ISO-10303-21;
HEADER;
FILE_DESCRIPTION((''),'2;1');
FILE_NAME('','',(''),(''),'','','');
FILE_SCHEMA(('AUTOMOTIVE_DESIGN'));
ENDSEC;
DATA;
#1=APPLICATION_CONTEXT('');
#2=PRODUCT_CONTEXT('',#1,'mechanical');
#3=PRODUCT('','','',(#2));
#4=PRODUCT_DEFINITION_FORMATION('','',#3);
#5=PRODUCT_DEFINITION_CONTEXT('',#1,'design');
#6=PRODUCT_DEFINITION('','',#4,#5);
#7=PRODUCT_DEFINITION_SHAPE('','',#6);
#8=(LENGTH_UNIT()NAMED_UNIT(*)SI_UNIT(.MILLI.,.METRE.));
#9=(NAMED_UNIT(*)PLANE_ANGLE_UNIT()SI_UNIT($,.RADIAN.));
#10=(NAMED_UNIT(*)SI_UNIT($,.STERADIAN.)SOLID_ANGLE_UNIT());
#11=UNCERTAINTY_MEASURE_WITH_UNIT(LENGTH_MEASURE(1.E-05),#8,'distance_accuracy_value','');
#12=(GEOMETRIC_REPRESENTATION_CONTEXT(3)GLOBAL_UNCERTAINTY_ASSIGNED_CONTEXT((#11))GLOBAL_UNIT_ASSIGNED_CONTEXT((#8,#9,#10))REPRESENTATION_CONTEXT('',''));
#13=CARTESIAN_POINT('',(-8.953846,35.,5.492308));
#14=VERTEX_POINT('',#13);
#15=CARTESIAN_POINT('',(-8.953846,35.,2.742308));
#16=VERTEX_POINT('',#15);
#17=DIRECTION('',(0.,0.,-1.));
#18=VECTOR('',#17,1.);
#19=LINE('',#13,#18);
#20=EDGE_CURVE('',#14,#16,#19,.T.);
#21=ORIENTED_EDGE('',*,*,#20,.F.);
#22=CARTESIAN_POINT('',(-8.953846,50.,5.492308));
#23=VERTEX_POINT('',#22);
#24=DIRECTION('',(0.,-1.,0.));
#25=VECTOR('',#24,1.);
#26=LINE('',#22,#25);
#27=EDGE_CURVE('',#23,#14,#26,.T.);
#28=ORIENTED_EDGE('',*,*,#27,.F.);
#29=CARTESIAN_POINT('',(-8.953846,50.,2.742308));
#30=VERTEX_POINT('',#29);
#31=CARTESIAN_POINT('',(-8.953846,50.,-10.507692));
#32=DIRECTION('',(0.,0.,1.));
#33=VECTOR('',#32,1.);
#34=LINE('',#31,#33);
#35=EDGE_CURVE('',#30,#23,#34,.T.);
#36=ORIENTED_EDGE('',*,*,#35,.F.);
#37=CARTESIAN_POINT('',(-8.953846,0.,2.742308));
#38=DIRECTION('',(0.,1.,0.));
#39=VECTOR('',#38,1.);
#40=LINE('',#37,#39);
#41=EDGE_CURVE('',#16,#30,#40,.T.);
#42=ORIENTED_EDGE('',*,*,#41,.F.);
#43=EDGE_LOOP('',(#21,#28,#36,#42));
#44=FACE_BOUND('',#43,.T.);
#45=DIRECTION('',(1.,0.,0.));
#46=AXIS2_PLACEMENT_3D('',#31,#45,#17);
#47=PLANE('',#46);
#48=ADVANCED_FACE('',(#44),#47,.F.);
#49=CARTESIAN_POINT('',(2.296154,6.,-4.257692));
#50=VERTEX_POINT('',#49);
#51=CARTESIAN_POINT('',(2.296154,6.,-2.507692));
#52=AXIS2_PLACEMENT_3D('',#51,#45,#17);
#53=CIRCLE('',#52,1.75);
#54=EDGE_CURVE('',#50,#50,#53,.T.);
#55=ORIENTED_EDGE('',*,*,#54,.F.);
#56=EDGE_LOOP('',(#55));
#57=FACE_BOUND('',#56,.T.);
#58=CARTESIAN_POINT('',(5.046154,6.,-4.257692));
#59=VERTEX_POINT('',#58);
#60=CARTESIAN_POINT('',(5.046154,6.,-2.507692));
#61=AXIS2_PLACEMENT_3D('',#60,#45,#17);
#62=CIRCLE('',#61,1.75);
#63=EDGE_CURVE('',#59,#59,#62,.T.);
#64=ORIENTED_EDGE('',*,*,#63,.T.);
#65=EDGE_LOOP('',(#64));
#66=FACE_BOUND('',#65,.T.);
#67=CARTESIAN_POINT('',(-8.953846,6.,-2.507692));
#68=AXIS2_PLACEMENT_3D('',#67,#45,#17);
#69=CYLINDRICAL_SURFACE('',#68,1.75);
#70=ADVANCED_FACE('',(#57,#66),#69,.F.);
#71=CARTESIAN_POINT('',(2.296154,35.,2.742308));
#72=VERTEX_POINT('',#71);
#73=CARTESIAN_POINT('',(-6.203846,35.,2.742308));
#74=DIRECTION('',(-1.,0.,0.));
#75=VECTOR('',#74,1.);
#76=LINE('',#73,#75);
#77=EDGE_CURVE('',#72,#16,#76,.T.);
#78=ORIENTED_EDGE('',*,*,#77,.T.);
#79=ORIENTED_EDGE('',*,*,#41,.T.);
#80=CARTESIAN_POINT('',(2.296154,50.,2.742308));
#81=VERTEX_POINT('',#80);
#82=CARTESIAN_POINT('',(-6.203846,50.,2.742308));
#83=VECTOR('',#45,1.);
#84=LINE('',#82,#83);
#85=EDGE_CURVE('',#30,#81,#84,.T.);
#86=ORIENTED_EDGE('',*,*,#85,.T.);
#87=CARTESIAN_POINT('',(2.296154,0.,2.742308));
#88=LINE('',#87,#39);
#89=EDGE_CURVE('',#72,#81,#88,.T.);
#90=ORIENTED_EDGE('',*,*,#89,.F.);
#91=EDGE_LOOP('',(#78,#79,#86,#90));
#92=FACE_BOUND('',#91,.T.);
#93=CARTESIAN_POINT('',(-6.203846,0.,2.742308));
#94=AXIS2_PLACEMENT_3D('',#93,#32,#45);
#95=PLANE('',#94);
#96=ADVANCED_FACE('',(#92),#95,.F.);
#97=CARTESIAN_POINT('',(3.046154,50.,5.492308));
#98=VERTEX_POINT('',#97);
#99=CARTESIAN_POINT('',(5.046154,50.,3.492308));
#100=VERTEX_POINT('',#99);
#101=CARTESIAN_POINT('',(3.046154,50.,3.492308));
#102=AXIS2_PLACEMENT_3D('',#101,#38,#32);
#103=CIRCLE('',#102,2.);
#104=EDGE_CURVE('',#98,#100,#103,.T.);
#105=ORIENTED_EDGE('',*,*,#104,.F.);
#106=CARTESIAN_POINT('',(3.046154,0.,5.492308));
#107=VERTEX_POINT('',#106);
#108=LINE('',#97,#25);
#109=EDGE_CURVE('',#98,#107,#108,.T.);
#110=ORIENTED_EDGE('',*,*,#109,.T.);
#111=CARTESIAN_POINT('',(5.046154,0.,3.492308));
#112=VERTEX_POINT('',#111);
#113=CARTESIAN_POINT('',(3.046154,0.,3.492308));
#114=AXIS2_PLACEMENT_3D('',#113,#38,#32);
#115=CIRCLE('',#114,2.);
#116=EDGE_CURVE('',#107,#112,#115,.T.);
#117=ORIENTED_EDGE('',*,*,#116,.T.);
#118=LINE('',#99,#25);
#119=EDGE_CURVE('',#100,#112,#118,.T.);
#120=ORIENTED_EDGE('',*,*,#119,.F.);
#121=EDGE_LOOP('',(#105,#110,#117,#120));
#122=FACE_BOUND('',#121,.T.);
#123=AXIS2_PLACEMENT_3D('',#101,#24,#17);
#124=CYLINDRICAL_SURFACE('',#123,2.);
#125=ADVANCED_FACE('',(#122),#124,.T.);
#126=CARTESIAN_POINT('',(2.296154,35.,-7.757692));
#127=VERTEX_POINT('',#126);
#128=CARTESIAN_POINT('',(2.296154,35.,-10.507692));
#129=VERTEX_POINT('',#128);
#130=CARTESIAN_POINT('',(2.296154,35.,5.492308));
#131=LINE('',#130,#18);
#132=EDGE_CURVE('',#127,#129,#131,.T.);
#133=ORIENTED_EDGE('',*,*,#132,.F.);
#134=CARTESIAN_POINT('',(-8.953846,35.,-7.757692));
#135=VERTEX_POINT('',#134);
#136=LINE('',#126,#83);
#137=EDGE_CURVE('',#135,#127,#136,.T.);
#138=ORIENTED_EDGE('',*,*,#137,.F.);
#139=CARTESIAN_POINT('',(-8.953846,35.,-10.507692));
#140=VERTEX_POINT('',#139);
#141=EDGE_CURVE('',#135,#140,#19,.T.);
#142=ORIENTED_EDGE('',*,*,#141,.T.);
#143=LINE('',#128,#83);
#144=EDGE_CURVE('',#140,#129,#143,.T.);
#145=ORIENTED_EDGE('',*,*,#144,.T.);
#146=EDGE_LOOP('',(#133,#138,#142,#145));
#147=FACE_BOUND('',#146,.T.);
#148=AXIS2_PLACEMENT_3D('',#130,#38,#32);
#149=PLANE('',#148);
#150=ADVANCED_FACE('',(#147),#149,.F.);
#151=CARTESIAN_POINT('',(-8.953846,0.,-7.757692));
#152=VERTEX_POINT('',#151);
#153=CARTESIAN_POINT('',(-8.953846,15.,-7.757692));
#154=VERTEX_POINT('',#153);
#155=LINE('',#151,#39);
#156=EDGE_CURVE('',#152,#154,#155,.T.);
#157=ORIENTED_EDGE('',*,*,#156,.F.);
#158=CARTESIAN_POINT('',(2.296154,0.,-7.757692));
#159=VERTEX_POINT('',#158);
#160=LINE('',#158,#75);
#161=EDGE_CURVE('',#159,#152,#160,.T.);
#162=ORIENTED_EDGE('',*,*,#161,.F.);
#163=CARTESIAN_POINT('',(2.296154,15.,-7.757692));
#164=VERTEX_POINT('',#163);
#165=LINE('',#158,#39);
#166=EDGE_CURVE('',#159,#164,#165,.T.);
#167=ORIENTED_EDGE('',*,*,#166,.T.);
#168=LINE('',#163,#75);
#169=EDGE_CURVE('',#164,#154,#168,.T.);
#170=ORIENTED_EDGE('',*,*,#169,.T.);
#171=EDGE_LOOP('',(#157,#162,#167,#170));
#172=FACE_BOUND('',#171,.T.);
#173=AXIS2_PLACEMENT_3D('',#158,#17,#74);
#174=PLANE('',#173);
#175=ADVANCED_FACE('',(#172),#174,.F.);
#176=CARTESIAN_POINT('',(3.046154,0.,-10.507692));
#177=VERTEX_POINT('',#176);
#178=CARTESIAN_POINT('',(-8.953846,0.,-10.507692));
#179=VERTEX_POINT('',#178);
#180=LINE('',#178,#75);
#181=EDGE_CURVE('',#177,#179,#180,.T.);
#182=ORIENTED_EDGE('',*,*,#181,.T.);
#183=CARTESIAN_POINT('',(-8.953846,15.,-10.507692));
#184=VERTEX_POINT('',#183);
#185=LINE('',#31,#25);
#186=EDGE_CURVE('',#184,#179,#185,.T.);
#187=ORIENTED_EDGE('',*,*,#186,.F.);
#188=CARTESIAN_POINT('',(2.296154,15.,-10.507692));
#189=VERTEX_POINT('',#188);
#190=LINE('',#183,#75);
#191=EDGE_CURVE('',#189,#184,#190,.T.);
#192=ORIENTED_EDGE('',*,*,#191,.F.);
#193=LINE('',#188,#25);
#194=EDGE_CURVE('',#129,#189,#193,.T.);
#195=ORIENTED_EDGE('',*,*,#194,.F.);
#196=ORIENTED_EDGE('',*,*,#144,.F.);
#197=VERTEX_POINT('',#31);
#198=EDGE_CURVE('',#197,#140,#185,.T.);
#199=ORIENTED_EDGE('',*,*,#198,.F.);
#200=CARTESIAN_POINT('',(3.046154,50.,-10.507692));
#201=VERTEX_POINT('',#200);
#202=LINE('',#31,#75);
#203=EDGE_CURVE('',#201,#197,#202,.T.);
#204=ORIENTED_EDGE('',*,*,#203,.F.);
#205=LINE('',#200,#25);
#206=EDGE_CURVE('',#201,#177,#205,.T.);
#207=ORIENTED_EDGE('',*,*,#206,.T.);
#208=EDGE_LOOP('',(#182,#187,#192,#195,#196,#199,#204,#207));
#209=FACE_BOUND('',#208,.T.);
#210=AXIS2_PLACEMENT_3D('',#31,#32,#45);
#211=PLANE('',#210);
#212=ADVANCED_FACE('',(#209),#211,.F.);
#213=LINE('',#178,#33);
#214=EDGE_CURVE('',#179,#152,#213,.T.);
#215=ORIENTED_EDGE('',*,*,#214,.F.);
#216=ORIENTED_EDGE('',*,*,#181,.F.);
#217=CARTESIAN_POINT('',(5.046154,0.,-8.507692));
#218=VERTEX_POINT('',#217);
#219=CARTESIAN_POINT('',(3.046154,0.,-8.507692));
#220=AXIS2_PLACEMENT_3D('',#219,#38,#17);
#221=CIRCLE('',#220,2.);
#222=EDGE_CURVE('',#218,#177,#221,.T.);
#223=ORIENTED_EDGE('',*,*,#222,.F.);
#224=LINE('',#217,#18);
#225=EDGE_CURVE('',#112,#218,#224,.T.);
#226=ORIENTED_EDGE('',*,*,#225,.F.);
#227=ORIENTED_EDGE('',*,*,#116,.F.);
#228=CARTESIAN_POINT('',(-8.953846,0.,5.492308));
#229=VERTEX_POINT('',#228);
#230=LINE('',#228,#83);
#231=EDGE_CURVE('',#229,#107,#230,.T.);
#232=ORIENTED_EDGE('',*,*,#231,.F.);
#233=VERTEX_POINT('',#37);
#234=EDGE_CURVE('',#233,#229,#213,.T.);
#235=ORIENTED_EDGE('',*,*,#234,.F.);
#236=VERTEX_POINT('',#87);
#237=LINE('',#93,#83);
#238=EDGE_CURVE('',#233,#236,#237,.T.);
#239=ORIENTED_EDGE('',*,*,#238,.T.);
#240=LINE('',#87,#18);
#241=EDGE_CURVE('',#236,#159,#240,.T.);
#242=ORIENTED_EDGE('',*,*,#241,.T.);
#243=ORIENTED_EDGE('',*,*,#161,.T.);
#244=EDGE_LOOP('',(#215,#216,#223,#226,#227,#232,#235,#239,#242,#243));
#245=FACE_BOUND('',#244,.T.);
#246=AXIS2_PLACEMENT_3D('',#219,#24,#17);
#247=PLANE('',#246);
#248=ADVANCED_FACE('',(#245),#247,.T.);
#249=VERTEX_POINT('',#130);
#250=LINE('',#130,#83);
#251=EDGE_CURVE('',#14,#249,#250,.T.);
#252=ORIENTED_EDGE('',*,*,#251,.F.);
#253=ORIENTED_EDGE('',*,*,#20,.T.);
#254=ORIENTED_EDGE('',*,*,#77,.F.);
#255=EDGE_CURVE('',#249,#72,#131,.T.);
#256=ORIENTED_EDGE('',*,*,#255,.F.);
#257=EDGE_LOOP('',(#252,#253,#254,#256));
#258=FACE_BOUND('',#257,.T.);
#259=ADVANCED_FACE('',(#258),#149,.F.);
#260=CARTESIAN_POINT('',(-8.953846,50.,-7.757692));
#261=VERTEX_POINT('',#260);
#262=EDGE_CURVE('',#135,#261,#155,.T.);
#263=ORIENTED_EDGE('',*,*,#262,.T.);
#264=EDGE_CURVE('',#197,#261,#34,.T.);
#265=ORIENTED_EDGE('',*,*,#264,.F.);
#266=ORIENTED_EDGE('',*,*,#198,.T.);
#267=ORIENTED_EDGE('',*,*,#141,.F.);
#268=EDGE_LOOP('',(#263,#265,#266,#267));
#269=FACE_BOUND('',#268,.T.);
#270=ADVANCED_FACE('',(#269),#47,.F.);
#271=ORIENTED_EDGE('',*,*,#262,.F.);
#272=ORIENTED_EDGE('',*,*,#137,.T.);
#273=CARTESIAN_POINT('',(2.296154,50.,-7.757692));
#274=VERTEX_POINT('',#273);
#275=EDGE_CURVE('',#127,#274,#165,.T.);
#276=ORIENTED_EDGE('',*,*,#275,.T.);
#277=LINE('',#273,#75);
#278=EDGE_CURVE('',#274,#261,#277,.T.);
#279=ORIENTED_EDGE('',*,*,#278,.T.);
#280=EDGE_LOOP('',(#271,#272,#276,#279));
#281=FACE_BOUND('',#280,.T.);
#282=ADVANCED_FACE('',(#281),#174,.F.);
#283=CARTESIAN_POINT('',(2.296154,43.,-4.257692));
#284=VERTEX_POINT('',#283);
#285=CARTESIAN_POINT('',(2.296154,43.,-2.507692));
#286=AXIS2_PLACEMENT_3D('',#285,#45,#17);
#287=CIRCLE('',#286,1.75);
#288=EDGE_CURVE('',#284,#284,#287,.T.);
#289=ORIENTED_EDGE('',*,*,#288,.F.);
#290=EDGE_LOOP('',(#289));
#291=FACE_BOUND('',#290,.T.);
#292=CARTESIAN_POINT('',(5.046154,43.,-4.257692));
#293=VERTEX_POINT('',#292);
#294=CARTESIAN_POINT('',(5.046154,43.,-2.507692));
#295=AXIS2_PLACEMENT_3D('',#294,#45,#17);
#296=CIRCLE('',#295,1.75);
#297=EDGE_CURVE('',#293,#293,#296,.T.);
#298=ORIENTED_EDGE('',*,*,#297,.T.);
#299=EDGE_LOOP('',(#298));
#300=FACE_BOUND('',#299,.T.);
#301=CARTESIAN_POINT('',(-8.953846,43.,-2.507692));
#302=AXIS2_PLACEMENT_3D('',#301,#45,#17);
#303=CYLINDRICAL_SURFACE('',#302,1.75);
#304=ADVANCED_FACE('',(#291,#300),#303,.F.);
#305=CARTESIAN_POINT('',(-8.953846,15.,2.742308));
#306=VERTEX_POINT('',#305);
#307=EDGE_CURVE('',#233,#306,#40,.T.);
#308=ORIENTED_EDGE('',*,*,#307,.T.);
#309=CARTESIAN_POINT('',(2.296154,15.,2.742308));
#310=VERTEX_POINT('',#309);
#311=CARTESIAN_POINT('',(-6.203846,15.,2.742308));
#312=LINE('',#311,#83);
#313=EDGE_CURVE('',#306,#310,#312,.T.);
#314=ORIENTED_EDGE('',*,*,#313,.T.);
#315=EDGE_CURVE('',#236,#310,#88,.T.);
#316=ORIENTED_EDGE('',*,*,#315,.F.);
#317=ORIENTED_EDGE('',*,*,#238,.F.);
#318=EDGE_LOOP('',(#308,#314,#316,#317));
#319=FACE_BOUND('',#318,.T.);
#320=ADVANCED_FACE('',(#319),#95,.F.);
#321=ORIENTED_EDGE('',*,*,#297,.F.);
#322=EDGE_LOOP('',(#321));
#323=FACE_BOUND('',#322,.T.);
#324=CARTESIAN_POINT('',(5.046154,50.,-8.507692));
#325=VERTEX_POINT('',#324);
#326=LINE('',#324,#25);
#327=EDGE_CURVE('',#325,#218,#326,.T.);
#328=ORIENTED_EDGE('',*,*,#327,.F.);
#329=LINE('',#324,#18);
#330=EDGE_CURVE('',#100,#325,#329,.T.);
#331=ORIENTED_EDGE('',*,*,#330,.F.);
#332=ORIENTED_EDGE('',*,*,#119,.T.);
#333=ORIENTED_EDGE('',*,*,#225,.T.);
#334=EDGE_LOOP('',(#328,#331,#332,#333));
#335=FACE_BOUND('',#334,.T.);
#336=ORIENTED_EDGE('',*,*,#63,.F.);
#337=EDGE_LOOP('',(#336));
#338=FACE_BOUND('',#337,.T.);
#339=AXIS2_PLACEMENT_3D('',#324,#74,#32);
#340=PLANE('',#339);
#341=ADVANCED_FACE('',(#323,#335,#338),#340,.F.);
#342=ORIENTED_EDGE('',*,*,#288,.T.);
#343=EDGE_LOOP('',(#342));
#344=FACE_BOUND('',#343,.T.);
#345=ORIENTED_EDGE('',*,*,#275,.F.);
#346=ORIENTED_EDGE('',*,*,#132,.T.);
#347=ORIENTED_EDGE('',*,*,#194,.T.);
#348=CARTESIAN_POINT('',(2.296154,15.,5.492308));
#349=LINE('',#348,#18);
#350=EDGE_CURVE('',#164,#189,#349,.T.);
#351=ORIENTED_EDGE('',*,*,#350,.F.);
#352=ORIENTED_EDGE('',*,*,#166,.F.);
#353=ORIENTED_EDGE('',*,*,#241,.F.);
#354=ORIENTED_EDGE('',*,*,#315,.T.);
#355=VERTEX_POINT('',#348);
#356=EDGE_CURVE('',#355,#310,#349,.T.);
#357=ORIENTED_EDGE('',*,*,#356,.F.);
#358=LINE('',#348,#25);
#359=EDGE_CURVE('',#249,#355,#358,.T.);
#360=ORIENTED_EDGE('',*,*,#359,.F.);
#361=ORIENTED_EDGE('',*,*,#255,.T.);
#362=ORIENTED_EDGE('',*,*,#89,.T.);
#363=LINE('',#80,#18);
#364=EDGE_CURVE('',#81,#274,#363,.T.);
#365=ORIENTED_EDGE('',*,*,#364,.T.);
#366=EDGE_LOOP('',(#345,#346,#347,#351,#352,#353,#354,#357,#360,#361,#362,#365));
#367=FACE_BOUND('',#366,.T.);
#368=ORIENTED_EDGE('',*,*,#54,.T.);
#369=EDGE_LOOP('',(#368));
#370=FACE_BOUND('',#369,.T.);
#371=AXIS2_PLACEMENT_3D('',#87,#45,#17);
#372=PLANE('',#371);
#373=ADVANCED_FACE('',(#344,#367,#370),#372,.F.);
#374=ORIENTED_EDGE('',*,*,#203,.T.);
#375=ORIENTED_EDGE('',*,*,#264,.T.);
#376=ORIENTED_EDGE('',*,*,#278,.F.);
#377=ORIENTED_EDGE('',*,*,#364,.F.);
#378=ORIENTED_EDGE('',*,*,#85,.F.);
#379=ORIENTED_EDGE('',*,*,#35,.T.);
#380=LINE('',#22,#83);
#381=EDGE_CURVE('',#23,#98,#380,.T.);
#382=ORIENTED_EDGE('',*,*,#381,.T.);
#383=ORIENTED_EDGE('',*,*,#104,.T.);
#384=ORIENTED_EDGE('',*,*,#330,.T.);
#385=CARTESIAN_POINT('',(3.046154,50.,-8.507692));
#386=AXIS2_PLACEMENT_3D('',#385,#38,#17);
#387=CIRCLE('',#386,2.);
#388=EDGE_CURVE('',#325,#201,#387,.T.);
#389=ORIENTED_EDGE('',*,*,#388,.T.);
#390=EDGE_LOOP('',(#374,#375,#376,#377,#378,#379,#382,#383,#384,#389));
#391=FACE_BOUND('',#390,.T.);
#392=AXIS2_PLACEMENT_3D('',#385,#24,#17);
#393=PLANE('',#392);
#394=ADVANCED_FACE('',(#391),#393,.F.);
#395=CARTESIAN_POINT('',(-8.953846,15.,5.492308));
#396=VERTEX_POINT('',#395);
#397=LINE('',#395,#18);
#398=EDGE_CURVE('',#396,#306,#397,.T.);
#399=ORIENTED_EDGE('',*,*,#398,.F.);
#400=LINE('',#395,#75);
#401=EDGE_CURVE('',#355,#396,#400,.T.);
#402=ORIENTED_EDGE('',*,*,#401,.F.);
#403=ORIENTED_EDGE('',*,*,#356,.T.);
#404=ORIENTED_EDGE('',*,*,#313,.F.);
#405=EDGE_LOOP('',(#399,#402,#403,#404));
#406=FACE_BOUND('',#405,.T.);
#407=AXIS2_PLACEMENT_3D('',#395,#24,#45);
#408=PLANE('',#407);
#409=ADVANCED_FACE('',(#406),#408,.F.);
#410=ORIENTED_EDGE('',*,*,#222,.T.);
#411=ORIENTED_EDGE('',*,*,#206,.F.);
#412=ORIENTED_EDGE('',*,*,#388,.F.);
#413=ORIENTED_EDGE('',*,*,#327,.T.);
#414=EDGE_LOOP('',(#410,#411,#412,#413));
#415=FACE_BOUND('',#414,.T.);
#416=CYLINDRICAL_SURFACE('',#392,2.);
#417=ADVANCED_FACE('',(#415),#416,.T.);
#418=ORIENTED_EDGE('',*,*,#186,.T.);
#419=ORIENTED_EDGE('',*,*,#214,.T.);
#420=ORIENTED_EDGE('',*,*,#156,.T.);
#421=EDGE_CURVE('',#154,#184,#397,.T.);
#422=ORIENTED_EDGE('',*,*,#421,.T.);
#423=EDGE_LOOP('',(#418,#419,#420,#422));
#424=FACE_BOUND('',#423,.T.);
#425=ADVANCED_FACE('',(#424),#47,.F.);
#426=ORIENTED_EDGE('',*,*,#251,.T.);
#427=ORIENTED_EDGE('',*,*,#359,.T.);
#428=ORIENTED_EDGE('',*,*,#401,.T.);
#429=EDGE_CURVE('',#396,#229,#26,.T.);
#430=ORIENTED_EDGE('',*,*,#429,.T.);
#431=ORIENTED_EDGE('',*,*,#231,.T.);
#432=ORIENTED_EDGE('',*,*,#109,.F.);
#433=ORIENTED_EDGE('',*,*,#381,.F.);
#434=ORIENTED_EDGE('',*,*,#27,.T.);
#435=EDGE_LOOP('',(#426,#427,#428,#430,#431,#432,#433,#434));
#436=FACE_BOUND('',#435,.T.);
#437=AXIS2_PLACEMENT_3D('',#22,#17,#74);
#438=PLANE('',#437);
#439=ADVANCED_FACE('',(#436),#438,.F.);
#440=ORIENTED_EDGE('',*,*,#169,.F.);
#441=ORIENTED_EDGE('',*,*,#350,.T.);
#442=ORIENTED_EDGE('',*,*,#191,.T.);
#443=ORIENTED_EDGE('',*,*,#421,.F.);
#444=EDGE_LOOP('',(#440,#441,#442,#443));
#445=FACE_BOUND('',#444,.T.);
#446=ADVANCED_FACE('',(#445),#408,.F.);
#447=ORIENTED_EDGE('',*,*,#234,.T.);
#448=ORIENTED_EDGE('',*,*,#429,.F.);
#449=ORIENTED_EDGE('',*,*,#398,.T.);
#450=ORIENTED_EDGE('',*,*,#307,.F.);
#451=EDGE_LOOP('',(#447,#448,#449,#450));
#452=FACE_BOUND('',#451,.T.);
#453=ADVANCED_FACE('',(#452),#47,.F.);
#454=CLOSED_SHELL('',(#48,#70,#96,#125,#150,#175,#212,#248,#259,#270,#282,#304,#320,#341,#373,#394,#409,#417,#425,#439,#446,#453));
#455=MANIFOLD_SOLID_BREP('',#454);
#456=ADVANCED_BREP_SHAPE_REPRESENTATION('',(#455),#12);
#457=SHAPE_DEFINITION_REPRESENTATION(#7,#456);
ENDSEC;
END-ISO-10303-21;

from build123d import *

# Parameters (mm, degrees)
EXTRUDE_1_DEPTH     = 50
SKETCH_2_W          = 8.5
SKETCH_2_H          = 10.5
CUT_EXTRUDE_1_DEPTH = 52.870829554
SKETCH_3_W          = 2.75
SKETCH_3_H          = 10.5
CUT_EXTRUDE_2_DEPTH = 52.870829554
SKETCH_4_R          = 1.75
CUT_EXTRUDE_3_DEPTH = 53.975575482
SKETCH_6_W          = 11.25
SKETCH_6_H          = 20
CUT_EXTRUDE_4_DEPTH = 54.255716697


with BuildPart() as part:
    # 草图1 → 凸台-拉伸1 (new body)
    with BuildSketch(Plane(origin=(0, 0, 0), x_dir=(1, 0, 0), z_dir=(0, 1, 0))):
        with BuildLine():
            Line((-8.953846154, 10.507692308), (-8.953846154, -5.492307692))
            Line((-8.953846154, -5.492307692), (3.046153846, -5.492307692))
            ThreePointArc((3.046153846, -5.492307692), (4.460367409, -4.906521255), (5.046153846, -3.492307692))
            Line((5.046153846, -3.492307692), (5.046153846, 8.507692308))
            ThreePointArc((5.046153846, 8.507692308), (4.460367409, 9.92190587), (3.046153846, 10.507692308))
            Line((3.046153846, 10.507692308), (-8.953846154, 10.507692308))
        make_face()
    extrude(amount=EXTRUDE_1_DEPTH)

    # 草图2 → 切除-拉伸1 (cut, through all)
    with BuildSketch(Plane(origin=(0, 50, 0), x_dir=(1, 0, 0), z_dir=(0, 1, 0))):
        with Locations((-1.953846154, 2.507692308)):
            Rectangle(SKETCH_2_W, SKETCH_2_H)
    extrude(amount=-CUT_EXTRUDE_1_DEPTH, mode=Mode.SUBTRACT)

    # 草图3 → 切除-拉伸2 (cut, through all)
    with BuildSketch(Plane(origin=(0, 50, 0), x_dir=(1, 0, 0), z_dir=(0, 1, 0))):
        with Locations((-7.578846154, 2.507692308)):
            Rectangle(SKETCH_3_W, SKETCH_3_H)
    extrude(amount=-CUT_EXTRUDE_2_DEPTH, mode=Mode.SUBTRACT)

    # 草图4 → 切除-拉伸3 (cut, through all)
    with BuildSketch(Plane(origin=(5.046153846, 0, 0), x_dir=(0, 0, -1), z_dir=(1, 0, 0))):
        with Locations((2.507692308, 43)):
            Circle(SKETCH_4_R)
        with Locations((2.507692308, 6)):
            Circle(SKETCH_4_R)
    extrude(amount=-CUT_EXTRUDE_3_DEPTH, mode=Mode.SUBTRACT)

    # 草图6 → 切除-拉伸4 (cut, through all)
    with BuildSketch(Plane(origin=(0, 0, -10.507692308), x_dir=(-1, 0, 0), z_dir=(0, 0, -1))):
        with Locations((3.328846154, 25)):
            Rectangle(SKETCH_6_W, SKETCH_6_H)
    extrude(amount=-CUT_EXTRUDE_4_DEPTH, mode=Mode.SUBTRACT)


solid = part.part
